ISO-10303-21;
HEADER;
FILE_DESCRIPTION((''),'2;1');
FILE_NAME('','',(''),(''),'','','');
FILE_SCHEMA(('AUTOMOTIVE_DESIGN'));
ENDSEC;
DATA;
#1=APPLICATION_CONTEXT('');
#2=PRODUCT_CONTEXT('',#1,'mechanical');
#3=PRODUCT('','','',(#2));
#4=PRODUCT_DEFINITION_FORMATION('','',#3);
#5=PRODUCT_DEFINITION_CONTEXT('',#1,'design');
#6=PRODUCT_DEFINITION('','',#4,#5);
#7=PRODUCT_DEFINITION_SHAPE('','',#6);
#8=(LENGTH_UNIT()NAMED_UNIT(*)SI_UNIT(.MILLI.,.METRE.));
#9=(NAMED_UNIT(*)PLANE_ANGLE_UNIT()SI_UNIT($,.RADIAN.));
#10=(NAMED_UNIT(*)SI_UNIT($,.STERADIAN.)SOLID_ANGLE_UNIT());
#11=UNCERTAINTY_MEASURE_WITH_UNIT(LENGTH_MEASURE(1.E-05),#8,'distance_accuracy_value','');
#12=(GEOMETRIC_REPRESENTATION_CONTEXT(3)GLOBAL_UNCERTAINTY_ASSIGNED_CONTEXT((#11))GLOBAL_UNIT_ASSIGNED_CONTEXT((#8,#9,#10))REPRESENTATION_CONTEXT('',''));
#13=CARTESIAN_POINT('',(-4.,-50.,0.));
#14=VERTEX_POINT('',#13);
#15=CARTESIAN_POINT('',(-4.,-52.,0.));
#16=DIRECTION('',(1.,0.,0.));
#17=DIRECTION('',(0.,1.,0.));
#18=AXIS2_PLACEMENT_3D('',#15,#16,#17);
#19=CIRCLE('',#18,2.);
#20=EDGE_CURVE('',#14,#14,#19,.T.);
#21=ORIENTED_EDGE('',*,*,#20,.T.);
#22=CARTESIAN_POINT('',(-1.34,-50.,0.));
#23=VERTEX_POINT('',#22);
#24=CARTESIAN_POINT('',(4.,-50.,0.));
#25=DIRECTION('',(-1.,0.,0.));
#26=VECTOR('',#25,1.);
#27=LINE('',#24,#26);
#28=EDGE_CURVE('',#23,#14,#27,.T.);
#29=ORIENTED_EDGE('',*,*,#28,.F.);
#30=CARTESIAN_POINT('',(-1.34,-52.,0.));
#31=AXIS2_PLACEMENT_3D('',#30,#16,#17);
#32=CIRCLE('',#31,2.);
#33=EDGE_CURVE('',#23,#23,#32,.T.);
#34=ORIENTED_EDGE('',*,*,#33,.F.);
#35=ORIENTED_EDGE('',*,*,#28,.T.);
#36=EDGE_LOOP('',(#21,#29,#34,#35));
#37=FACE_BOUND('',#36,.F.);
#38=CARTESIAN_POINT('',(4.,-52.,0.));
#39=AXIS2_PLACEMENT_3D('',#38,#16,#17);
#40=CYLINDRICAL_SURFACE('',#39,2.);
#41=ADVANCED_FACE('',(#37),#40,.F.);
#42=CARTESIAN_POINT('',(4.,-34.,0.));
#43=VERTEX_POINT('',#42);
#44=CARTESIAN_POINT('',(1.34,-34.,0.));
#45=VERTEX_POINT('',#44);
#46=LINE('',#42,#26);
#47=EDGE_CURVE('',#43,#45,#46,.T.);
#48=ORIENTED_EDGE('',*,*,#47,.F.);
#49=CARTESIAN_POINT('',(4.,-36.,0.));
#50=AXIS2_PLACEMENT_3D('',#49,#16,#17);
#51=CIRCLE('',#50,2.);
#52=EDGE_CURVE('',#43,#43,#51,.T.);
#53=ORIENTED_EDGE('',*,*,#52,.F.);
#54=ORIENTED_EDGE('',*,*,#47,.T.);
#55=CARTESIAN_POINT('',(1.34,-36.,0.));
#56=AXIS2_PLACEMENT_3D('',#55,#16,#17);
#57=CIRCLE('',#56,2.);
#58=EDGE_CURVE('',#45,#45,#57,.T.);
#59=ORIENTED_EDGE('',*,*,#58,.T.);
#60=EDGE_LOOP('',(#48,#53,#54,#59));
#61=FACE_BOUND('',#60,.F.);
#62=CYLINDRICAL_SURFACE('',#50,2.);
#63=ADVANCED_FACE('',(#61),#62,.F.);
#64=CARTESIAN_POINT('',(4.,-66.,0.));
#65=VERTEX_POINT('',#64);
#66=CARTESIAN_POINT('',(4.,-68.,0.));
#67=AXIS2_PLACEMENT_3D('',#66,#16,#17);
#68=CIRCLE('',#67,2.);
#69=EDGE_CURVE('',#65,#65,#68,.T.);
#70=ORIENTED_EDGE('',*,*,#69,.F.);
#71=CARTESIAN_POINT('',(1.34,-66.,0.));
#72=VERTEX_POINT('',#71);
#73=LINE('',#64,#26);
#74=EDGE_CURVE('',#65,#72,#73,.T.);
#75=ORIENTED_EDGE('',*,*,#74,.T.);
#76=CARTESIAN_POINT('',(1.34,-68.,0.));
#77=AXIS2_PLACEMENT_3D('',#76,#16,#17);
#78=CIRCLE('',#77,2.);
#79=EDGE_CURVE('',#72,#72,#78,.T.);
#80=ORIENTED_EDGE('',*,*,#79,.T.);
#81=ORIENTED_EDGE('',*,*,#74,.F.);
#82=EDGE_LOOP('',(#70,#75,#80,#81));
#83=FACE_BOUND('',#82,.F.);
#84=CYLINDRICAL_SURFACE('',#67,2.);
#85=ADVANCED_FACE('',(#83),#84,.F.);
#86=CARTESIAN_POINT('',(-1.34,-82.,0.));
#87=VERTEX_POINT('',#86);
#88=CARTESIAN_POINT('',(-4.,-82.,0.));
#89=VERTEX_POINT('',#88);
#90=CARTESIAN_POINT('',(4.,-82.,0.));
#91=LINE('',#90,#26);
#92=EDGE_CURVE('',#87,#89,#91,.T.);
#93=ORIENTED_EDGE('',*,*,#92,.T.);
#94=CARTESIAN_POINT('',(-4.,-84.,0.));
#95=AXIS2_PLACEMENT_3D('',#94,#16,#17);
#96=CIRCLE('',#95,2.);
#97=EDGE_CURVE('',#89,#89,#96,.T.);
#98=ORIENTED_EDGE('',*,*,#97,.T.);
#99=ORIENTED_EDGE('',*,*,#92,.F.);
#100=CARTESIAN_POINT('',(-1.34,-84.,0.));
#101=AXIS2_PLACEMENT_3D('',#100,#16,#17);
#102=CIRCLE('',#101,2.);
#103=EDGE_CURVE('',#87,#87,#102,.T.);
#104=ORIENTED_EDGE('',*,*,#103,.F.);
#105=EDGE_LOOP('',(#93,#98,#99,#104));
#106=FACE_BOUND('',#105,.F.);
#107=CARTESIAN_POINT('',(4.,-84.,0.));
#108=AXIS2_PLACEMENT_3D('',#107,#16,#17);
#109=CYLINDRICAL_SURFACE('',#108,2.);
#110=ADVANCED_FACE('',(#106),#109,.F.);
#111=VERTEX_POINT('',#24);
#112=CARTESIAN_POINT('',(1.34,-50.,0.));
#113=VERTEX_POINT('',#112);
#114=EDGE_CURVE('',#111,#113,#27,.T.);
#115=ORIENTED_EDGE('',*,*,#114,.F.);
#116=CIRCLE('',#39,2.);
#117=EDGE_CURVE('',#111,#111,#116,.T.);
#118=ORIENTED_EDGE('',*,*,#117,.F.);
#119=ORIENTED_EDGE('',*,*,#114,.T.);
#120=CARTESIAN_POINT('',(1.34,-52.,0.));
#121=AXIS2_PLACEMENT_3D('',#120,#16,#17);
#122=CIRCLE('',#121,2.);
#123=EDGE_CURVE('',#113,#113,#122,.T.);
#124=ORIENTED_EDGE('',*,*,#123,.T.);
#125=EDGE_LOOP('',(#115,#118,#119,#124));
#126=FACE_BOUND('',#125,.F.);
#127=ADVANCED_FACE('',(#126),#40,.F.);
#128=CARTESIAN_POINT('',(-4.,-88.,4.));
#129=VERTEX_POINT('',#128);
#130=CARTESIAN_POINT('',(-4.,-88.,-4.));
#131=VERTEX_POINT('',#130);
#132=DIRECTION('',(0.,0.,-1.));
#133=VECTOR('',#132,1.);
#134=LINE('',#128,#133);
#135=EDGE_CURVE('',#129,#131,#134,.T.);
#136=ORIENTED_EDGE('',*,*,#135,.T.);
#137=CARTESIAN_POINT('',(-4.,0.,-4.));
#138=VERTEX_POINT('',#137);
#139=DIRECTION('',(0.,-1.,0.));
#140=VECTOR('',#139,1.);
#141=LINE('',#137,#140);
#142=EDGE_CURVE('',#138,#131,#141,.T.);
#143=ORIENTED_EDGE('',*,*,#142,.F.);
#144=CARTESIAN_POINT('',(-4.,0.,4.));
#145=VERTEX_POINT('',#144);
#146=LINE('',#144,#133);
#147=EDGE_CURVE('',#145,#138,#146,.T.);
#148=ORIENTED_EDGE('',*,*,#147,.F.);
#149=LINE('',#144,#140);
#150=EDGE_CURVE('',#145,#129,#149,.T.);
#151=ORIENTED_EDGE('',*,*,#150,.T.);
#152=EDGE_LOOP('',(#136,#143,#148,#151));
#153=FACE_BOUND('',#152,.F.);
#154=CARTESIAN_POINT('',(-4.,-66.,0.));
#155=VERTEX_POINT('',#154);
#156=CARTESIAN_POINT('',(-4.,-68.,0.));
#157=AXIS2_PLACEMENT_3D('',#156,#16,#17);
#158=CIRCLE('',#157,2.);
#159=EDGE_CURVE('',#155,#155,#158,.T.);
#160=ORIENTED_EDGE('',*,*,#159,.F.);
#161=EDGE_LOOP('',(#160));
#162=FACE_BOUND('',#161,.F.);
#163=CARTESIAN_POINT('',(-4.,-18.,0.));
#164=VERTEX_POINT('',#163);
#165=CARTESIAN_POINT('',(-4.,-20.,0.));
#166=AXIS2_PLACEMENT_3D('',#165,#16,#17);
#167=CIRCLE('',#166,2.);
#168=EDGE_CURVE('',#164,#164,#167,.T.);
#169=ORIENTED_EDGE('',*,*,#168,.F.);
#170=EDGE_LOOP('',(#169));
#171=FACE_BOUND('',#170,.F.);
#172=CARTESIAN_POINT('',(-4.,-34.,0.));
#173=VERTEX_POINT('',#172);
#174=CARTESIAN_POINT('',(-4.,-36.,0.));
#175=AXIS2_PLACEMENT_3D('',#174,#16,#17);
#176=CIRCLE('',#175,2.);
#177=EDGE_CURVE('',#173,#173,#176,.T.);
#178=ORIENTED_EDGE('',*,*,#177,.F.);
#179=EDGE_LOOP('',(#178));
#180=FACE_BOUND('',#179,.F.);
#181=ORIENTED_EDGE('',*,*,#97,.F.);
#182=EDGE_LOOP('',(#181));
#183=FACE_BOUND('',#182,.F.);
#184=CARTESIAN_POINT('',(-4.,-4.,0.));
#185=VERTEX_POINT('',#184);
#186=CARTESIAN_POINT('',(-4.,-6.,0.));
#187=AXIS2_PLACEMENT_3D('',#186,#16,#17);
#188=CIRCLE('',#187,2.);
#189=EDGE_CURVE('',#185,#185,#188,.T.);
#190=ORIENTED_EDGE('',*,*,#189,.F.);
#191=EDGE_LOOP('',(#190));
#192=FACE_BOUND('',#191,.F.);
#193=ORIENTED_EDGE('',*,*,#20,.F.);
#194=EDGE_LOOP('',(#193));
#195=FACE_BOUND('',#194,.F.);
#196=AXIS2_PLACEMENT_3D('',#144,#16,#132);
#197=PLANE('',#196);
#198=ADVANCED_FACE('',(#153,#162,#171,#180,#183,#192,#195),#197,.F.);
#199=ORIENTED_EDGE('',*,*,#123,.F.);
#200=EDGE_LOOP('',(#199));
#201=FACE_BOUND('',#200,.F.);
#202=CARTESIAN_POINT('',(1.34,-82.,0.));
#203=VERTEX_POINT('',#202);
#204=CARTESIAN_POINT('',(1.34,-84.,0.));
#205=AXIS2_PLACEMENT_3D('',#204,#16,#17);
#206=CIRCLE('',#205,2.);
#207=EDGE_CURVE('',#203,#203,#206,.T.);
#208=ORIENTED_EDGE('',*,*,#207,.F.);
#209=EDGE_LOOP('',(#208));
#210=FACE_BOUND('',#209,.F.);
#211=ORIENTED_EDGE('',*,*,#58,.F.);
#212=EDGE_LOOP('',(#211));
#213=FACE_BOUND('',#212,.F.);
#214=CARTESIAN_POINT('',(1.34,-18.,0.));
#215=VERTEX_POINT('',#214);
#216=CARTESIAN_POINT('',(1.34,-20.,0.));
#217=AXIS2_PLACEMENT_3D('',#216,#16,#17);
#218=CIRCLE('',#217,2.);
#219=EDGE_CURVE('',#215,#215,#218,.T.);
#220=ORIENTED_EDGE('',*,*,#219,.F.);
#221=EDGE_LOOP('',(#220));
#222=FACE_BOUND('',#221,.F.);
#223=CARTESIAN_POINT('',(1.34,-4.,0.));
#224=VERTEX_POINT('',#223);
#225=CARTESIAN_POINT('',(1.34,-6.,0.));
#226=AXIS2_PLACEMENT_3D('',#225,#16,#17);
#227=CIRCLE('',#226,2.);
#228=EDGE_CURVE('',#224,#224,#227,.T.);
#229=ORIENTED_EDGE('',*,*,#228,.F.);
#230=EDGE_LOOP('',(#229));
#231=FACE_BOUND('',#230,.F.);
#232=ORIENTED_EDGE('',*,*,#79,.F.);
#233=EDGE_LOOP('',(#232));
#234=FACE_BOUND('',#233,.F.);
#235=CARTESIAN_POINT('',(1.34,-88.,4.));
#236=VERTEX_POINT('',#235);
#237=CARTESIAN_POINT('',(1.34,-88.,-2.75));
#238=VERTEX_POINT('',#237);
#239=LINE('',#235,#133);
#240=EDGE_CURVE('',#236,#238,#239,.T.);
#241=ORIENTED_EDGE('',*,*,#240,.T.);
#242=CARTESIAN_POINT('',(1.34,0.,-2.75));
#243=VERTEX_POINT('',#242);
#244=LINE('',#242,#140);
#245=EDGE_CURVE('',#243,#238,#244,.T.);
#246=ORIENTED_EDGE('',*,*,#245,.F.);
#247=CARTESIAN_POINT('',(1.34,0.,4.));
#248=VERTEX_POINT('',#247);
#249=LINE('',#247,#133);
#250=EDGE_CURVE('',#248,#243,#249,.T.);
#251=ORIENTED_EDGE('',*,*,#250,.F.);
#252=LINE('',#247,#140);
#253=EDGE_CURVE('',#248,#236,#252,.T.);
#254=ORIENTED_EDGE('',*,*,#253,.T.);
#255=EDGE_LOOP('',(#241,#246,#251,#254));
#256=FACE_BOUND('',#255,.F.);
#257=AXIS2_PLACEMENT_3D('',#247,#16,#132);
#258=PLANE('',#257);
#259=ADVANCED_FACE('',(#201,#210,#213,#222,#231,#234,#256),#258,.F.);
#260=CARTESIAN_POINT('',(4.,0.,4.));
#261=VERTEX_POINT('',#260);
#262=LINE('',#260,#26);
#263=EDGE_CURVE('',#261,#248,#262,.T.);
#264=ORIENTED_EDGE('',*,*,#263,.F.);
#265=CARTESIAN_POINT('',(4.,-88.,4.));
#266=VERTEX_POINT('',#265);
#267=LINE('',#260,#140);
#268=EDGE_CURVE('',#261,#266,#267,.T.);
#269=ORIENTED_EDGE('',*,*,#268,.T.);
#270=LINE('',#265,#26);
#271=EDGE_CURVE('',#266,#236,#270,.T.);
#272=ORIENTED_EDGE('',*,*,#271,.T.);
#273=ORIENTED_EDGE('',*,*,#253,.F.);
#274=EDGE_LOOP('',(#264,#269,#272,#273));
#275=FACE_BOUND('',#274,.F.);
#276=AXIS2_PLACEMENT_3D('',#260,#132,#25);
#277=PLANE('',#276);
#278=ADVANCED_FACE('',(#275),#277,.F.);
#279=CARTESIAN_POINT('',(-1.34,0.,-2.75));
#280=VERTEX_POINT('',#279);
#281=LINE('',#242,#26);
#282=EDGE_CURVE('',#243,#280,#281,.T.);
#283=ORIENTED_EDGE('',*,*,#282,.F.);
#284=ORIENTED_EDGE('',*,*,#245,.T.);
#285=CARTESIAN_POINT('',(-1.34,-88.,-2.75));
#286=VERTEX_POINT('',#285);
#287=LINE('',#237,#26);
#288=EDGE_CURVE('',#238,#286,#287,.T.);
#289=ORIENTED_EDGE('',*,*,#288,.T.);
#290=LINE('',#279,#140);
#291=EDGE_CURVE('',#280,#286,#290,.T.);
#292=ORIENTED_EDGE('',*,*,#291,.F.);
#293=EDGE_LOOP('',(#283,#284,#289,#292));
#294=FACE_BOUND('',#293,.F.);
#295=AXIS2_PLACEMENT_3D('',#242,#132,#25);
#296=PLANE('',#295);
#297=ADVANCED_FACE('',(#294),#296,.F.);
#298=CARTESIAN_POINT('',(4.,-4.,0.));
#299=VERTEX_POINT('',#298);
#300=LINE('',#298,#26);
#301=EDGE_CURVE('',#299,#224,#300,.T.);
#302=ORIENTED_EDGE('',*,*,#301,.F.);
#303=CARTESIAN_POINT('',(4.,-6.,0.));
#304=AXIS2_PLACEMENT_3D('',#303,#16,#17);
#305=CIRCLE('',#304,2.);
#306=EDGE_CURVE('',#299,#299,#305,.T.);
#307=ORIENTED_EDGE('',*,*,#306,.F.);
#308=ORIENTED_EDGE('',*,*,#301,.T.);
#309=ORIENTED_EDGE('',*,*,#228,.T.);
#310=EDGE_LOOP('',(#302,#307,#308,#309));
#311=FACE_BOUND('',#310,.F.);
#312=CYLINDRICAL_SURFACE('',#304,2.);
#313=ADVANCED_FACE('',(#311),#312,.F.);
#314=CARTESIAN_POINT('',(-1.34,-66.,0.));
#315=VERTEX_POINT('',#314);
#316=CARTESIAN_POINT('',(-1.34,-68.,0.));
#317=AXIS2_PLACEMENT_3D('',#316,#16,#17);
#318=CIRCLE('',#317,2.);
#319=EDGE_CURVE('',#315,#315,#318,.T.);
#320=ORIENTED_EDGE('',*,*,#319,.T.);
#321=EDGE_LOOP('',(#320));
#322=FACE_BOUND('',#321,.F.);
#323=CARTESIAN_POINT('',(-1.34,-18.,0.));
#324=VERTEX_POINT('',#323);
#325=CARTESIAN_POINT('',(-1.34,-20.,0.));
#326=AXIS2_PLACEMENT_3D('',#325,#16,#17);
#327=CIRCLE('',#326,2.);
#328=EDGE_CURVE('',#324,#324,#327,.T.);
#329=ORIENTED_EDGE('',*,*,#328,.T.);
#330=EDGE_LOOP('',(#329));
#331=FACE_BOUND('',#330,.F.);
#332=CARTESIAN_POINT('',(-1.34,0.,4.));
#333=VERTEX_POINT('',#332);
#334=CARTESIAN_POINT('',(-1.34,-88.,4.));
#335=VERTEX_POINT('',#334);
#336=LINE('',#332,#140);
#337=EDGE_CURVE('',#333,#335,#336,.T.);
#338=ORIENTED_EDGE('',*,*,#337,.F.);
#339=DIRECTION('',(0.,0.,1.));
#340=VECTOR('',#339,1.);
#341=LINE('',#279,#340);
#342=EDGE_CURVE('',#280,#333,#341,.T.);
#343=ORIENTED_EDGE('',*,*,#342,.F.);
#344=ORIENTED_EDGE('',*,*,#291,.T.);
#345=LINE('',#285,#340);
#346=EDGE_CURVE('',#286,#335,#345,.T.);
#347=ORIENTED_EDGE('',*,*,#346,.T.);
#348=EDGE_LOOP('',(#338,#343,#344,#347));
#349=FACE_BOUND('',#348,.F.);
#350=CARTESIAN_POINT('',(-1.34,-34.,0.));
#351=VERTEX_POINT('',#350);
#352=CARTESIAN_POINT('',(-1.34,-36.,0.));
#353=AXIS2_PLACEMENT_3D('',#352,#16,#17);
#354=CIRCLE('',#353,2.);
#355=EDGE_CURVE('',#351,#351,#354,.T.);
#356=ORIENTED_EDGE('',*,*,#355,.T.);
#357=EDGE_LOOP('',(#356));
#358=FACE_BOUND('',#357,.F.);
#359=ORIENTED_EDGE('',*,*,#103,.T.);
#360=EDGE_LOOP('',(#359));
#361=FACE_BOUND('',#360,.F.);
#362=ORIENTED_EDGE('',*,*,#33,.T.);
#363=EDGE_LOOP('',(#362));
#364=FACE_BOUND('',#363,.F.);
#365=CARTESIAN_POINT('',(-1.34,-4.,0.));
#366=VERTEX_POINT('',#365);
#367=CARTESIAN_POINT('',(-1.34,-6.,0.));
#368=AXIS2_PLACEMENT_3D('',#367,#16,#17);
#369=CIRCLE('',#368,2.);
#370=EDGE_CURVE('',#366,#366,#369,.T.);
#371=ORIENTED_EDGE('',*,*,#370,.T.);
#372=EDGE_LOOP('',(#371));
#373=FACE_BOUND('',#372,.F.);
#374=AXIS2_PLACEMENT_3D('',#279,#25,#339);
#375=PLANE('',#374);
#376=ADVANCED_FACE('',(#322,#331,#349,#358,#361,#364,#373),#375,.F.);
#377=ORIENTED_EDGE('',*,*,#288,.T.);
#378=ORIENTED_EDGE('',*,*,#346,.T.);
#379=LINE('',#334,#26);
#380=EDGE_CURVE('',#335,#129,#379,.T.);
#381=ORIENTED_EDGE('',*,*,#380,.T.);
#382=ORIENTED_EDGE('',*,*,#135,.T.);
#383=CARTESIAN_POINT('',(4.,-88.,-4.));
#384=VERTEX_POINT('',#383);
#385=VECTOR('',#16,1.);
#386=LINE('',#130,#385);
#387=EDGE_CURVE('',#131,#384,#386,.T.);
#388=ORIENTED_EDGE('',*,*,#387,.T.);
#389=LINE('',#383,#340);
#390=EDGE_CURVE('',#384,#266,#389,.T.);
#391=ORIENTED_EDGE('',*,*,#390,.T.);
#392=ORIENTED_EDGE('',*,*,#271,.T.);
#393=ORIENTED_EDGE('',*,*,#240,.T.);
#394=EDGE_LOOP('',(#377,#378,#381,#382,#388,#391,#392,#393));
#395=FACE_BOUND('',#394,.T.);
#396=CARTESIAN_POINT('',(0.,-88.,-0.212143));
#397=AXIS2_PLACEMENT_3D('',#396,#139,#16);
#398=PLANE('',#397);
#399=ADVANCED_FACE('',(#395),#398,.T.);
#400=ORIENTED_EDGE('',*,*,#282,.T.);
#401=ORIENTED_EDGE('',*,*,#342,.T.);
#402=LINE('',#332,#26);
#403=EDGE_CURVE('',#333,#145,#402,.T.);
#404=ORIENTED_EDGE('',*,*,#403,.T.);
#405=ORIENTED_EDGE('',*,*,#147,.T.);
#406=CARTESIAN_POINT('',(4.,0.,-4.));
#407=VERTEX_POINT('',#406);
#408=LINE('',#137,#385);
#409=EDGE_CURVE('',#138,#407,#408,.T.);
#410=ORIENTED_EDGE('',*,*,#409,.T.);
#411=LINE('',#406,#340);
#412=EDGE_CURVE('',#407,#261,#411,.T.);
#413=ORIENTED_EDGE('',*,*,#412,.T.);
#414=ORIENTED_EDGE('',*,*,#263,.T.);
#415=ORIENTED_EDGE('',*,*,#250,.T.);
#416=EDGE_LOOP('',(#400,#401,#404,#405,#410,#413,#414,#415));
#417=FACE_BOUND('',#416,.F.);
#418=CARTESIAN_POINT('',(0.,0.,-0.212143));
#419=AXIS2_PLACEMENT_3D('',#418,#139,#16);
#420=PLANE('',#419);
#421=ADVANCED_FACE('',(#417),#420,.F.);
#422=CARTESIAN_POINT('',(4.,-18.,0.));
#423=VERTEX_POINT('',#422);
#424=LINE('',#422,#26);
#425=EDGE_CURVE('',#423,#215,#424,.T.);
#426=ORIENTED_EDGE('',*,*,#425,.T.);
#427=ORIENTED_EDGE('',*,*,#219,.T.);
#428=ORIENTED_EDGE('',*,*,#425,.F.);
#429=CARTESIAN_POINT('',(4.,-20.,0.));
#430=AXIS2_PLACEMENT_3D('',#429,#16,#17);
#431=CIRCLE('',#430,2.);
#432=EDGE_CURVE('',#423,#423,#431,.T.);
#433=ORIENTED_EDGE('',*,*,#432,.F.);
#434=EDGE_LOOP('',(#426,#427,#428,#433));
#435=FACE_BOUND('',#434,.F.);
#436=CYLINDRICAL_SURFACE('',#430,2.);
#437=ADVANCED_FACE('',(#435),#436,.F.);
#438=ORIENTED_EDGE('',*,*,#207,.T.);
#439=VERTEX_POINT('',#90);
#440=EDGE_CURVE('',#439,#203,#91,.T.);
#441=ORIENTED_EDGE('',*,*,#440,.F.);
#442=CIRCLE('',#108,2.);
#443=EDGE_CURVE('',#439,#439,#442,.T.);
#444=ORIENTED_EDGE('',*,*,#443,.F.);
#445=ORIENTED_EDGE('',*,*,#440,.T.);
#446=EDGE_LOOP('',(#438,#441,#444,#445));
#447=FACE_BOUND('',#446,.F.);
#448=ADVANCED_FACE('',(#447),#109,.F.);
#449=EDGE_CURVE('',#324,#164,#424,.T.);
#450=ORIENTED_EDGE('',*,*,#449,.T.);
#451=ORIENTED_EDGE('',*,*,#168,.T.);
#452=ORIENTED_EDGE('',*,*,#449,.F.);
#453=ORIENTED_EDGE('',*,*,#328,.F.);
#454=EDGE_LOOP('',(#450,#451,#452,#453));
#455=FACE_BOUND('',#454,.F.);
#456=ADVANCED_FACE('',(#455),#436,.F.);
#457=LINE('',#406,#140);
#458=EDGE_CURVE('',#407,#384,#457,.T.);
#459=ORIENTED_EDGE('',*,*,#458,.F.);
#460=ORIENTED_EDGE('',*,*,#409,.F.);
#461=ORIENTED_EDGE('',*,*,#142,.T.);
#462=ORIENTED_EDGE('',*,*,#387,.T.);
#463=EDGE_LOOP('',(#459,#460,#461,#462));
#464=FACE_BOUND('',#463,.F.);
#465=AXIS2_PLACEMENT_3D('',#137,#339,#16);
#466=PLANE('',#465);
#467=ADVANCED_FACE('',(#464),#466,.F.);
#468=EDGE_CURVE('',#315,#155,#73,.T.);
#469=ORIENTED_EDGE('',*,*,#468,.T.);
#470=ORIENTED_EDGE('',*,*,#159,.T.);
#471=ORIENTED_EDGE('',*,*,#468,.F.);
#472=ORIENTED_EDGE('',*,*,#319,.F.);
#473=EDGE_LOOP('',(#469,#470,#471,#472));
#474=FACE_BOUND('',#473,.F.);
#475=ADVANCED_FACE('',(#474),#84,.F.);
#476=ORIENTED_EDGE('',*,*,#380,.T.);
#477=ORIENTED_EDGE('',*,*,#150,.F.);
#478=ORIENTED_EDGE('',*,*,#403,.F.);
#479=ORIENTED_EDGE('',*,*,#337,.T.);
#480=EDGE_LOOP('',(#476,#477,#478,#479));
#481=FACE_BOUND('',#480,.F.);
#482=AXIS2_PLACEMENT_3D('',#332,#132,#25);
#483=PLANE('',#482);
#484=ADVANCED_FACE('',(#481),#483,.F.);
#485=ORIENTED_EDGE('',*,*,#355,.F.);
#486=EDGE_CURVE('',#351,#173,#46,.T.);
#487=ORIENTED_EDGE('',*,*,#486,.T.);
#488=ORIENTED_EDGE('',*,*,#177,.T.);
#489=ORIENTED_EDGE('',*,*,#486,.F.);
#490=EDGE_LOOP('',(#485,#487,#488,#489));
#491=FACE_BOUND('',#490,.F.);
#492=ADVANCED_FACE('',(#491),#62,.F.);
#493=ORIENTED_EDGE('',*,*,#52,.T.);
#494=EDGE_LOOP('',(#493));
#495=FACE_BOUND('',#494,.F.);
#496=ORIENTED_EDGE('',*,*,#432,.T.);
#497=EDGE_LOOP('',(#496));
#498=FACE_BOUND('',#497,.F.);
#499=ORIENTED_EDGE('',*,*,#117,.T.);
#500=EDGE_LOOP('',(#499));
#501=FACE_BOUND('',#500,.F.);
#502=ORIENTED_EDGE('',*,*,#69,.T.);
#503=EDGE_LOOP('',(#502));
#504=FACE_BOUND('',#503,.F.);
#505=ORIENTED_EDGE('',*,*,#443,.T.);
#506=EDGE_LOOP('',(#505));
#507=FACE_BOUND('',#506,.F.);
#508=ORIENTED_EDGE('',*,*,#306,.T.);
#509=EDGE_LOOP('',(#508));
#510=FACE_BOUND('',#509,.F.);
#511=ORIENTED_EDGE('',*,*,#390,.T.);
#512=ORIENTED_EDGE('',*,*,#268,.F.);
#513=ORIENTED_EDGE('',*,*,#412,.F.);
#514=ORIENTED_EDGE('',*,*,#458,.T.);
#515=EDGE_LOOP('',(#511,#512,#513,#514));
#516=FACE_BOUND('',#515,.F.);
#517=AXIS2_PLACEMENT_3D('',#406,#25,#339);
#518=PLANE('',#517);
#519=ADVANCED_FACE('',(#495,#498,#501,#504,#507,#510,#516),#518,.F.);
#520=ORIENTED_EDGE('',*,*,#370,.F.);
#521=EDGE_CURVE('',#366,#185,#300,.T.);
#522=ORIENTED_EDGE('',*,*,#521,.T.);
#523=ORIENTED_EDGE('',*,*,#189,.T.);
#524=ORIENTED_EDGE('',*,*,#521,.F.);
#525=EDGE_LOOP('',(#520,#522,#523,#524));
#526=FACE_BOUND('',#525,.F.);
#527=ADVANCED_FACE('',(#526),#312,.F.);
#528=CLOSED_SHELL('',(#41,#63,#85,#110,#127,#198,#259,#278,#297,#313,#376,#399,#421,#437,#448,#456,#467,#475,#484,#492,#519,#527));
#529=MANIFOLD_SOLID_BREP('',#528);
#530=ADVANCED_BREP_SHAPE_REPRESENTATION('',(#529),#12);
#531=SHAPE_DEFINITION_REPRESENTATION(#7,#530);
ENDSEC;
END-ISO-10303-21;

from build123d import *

# Parameters (mm, degrees)
F1_DEPTH = 88
F2_R     = 2
F3_DEPTH = 8.1


with BuildPart() as f1:
    # F0 (on Front) → F1 (new body)
    with BuildSketch(Plane.XZ):
        Polygon((-1.34, 4), (-4, 4), (-4, -4), (4, -4), (4, 4), (1.34, 4), (1.34, -2.75), (-1.34, -2.75), align=None)
    extrude(amount=F1_DEPTH)

    # F2 (on face) → F3 (cut)
    with BuildSketch(Plane.YZ.offset(4)):
        with Locations((-84, 0)):
            Circle(F2_R)
        with Locations((-68, 0)):
            Circle(F2_R)
        with Locations((-52, 0)):
            Circle(F2_R)
        with Locations((-36, 0)):
            Circle(F2_R)
        with Locations((-20, 0)):
            Circle(F2_R)
        with Locations((-6, 0)):
            Circle(F2_R)
    extrude(amount=-F3_DEPTH, mode=Mode.SUBTRACT)


solid = f1.part
